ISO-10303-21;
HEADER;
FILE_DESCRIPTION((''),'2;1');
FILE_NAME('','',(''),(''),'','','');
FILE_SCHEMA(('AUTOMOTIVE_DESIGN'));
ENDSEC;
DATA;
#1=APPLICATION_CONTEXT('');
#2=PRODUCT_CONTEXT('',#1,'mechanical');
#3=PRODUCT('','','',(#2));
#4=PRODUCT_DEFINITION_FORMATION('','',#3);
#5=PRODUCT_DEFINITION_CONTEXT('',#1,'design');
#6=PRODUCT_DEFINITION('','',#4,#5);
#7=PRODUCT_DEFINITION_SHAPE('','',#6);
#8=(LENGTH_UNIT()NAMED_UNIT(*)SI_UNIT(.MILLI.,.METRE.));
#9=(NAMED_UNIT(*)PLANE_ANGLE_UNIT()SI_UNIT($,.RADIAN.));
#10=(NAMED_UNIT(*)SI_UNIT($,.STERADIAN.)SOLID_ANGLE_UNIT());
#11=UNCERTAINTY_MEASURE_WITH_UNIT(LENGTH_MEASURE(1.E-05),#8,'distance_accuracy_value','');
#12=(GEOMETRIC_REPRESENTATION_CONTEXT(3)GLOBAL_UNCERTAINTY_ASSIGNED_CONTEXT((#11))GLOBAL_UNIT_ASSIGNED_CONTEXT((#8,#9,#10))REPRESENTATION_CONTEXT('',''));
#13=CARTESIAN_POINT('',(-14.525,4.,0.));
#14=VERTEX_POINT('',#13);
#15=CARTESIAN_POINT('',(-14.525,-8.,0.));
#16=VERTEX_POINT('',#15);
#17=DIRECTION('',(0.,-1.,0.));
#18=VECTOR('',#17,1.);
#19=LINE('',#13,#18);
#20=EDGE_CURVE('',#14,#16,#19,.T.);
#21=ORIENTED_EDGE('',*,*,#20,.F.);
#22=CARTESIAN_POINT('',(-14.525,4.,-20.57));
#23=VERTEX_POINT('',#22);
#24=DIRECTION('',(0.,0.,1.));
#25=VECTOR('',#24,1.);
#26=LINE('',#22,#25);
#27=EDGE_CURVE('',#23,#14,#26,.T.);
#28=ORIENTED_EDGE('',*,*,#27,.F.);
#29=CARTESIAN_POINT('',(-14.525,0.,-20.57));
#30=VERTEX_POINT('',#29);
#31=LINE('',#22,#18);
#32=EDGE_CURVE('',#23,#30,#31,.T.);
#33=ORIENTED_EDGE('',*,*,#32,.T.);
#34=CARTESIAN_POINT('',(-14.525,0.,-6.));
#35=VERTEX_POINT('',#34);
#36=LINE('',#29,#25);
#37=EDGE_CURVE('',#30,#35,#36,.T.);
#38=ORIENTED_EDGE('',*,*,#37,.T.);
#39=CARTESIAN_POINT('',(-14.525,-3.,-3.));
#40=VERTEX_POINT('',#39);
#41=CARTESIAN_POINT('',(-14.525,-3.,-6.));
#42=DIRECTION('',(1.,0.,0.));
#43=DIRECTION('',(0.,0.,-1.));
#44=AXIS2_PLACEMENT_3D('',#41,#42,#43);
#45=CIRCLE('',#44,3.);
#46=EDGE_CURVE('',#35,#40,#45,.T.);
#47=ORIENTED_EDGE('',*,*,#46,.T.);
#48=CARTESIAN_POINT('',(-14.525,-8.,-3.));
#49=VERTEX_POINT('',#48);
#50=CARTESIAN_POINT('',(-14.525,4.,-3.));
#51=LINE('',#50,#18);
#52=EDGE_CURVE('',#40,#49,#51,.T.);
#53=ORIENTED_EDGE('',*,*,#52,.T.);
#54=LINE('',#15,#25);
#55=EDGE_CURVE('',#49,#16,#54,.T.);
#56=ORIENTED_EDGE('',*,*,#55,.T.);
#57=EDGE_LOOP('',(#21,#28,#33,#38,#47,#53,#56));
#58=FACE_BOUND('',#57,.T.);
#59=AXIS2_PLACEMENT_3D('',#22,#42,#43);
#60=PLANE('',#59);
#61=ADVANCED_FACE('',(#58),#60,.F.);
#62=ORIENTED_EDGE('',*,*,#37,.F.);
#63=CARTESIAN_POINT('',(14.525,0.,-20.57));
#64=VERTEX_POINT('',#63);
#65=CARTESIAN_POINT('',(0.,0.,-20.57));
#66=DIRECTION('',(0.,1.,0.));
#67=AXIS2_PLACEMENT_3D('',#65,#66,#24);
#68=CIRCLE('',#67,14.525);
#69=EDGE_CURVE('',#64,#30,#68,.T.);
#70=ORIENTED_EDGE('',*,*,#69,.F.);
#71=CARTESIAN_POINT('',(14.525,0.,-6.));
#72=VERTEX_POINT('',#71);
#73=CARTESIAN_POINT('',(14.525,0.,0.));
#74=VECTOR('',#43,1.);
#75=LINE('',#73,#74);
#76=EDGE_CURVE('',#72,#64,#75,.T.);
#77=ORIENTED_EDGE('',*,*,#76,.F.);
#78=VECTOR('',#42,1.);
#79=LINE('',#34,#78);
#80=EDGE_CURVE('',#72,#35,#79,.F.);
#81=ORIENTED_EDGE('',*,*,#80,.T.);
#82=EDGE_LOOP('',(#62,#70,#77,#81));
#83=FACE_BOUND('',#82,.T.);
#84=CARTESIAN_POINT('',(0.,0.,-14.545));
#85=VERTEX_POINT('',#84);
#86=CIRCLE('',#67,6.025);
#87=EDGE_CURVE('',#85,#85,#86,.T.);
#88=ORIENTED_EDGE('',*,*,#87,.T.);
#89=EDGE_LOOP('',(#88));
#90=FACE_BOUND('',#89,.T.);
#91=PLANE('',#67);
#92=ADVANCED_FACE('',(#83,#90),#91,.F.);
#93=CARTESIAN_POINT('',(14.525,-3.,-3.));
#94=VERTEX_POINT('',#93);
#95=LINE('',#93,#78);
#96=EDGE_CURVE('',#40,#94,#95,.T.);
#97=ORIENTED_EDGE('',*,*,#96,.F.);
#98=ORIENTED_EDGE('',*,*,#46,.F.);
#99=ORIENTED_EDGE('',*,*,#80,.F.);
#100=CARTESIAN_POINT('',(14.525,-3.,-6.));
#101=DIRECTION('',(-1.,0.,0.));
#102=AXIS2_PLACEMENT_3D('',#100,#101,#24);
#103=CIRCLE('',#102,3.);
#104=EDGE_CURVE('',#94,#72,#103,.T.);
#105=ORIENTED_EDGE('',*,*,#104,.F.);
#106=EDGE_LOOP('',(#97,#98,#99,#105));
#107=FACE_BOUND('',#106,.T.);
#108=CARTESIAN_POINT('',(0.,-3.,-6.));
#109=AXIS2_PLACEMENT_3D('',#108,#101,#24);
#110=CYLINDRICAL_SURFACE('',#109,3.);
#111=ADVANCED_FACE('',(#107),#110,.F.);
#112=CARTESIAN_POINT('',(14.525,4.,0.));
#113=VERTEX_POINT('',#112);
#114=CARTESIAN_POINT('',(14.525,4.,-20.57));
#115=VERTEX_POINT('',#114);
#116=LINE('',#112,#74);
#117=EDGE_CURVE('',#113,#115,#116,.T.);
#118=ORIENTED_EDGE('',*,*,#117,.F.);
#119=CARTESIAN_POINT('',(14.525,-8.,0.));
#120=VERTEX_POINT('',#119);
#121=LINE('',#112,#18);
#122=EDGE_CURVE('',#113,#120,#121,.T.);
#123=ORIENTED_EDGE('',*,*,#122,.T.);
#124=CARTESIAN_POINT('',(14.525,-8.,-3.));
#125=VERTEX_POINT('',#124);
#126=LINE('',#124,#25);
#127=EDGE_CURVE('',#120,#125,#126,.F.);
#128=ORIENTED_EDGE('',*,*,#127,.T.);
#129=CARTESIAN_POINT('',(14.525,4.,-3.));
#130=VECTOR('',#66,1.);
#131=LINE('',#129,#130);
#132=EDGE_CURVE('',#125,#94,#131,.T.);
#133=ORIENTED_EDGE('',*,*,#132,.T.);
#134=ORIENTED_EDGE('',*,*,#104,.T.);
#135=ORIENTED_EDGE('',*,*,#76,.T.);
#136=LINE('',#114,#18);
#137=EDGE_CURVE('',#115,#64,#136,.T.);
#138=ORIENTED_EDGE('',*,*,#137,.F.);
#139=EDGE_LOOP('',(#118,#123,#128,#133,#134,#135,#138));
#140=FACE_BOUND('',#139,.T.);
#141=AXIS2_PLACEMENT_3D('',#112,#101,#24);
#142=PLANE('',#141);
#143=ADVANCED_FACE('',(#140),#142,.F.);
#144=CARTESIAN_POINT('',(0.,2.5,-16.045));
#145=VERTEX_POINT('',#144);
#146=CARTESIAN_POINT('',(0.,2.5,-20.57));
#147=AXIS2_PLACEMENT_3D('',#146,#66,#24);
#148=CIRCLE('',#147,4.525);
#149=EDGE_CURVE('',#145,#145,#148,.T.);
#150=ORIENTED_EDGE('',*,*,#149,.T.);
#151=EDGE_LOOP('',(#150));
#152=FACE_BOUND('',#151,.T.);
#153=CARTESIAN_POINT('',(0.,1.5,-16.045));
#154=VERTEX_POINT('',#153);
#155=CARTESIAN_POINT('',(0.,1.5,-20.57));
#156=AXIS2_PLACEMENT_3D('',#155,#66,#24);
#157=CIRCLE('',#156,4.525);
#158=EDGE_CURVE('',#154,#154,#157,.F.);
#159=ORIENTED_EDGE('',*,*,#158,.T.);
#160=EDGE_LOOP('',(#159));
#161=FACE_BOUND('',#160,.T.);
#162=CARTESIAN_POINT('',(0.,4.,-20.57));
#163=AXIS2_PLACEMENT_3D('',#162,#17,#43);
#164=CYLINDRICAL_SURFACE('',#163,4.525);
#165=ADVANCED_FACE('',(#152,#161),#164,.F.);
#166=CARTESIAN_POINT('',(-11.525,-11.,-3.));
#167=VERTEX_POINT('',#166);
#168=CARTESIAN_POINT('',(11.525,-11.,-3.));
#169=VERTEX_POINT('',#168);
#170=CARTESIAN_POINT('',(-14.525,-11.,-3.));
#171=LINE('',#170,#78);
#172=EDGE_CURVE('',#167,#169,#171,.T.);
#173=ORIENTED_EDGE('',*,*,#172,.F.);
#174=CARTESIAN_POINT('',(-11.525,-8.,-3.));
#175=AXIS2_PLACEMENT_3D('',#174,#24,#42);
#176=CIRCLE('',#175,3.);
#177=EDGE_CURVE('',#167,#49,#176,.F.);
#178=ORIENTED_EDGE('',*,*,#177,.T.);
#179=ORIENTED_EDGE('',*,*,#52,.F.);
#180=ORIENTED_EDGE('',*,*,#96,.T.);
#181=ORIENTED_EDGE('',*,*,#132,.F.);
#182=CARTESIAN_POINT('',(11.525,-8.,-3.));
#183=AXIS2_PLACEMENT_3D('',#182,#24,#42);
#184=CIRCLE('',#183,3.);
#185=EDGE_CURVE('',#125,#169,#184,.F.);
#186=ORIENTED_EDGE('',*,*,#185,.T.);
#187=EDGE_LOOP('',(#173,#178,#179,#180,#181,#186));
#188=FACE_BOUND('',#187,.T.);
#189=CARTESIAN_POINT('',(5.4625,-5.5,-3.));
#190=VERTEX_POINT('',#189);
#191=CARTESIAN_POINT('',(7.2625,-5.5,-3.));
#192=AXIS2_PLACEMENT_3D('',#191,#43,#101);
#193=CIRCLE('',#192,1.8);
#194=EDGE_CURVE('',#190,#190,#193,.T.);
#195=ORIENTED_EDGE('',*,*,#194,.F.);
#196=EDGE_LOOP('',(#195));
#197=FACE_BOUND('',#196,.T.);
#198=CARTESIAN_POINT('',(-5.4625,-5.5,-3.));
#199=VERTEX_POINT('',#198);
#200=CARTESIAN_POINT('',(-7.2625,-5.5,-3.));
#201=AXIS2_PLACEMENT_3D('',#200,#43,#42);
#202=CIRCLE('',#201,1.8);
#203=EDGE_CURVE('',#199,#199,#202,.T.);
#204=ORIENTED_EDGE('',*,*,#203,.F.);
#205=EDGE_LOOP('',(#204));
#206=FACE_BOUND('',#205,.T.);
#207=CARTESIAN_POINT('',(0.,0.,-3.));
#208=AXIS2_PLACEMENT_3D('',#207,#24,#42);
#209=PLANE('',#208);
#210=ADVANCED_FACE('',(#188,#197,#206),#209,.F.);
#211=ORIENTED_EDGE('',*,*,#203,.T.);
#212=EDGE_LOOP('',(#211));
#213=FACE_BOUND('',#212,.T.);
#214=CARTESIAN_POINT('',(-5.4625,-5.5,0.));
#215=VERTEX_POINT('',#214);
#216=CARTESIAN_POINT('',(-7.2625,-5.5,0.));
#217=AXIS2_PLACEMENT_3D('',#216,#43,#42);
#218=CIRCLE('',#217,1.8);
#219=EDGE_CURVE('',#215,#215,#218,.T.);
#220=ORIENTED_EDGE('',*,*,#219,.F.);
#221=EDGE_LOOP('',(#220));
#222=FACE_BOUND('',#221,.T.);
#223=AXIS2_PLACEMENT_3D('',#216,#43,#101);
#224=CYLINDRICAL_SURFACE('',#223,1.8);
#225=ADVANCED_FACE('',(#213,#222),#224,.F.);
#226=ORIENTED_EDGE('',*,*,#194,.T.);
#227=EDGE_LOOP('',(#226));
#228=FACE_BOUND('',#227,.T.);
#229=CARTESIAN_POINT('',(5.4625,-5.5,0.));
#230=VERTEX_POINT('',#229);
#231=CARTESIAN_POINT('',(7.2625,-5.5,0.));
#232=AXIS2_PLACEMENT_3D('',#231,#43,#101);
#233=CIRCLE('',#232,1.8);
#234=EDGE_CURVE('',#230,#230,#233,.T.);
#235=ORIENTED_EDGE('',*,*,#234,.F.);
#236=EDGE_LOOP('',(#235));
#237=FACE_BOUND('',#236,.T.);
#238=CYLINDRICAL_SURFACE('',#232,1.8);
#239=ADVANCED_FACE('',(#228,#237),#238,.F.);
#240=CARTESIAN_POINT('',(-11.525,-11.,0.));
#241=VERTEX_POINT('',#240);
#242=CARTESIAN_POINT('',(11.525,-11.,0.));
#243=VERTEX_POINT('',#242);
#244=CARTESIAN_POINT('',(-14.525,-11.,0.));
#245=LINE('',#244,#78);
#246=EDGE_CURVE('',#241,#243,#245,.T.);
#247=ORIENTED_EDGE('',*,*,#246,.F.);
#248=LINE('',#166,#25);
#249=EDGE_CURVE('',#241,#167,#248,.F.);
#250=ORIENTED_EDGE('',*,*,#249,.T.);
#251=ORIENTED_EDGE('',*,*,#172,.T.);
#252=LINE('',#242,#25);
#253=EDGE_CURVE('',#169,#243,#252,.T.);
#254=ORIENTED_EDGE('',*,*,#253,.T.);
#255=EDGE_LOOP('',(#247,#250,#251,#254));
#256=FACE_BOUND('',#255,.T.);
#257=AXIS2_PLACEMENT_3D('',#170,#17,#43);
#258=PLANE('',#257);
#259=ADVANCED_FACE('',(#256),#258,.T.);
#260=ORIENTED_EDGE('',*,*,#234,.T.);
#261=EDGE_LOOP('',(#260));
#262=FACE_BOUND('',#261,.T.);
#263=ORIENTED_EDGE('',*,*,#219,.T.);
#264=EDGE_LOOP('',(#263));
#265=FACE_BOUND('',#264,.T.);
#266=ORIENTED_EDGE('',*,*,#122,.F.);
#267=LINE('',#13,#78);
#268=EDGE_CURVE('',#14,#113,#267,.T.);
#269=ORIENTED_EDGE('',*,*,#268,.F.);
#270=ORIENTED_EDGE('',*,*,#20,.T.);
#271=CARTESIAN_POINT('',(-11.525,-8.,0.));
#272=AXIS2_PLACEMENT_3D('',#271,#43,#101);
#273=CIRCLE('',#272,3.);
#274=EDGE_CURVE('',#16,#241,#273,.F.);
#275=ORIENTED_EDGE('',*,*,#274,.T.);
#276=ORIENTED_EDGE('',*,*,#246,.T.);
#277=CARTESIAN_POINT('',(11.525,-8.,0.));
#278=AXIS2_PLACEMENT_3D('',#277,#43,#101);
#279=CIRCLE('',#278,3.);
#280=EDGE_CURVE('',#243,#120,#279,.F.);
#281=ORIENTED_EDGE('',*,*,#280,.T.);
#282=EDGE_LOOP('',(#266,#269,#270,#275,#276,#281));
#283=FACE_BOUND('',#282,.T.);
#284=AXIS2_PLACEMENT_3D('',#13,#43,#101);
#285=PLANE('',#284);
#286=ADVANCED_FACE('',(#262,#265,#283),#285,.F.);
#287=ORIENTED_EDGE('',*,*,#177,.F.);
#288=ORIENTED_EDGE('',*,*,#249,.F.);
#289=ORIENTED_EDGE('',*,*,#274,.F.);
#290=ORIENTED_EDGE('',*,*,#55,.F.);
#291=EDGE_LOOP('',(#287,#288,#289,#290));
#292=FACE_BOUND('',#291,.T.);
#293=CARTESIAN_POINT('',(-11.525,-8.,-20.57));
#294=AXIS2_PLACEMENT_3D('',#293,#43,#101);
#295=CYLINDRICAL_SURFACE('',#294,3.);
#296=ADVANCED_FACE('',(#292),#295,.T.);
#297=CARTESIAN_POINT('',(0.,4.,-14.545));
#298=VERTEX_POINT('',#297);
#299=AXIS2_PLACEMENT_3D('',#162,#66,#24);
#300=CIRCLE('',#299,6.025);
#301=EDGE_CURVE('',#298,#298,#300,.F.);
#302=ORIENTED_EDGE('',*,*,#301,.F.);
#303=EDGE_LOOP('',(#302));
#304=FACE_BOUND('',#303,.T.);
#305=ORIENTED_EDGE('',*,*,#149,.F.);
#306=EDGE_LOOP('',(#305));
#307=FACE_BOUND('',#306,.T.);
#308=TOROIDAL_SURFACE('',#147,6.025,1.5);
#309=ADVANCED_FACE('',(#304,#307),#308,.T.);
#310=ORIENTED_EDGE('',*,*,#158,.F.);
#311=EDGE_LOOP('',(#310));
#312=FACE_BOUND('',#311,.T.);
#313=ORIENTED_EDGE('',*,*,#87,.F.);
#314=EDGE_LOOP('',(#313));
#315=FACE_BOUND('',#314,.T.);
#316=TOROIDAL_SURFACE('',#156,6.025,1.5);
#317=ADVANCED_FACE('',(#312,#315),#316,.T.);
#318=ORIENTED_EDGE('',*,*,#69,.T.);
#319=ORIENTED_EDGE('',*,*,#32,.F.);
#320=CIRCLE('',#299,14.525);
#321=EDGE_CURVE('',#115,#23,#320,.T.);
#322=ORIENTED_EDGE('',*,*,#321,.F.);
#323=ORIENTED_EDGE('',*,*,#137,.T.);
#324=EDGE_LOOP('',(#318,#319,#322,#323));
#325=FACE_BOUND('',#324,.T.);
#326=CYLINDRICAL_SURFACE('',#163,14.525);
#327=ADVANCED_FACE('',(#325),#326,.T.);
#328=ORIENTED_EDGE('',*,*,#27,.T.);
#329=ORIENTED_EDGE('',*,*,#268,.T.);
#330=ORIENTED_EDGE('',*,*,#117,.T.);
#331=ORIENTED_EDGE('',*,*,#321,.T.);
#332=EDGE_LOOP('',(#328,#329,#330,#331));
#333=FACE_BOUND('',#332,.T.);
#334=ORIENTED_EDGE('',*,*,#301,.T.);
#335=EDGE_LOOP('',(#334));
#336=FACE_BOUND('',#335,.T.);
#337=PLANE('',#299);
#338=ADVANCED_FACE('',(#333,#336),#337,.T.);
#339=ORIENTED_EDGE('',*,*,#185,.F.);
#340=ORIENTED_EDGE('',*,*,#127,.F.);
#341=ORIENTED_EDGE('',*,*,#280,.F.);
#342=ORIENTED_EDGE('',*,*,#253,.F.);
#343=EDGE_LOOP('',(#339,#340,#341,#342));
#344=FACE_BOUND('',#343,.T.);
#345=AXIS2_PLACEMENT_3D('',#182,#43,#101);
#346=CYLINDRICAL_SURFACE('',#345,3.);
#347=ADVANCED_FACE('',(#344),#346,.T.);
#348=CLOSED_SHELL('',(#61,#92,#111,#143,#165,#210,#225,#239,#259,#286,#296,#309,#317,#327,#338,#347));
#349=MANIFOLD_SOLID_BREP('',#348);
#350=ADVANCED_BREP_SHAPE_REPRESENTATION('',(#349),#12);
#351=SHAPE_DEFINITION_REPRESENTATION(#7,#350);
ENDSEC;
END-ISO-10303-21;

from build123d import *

# Parameters (mm, degrees)
SKETCH1_R           = 4.525
BOSS_EXTRUDE1_DEPTH = 4
SKETCH2_W           = 29.05
SKETCH2_H           = 15
BOSS_EXTRUDE2_DEPTH = 3
SKETCH3_R           = 1.8
CUT_EXTRUDE1_DEPTH  = 37.906160055
FILLET1_R           = 3
FILLET2_R           = 1.5


with BuildPart() as part:
    # Sketch1 → Boss-Extrude1 (new body)
    with BuildSketch(Plane(origin=(0, 0, 0), x_dir=(1, 0, 0), z_dir=(0, 1, 0))):
        with BuildLine():
            Line((-14.525, 20.57), (-14.525, 0))
            Line((-14.525, 0), (14.525, 0))
            Line((14.525, 0), (14.525, 20.57))
            ThreePointArc((14.525, 20.57), (0, 35.095), (-14.525, 20.57))
        make_face()
        with Locations(Location((0, 20.57, 0), (0, 0, 270))):
            Circle(SKETCH1_R, mode=Mode.SUBTRACT)
    extrude(amount=BOSS_EXTRUDE1_DEPTH)

    # Sketch2 → Boss-Extrude2 (add)
    with BuildSketch(Plane.XY):
        with Locations((0, -3.5)):
            Rectangle(SKETCH2_W, SKETCH2_H)
    extrude(amount=-BOSS_EXTRUDE2_DEPTH)

    # Sketch3 → Cut-Extrude1 (cut, through all)
    with BuildSketch(Plane(origin=(0, 0, -3), x_dir=(-1, 0, 0), z_dir=(0, 0, -1))):
        with Locations((-7.2625, -5.5)):
            Circle(SKETCH3_R)
        with Locations(Location((7.2625, -5.5, 0), (0, 0, 180))):
            Circle(SKETCH3_R)
    extrude(amount=-CUT_EXTRUDE1_DEPTH, mode=Mode.SUBTRACT)

    # Fillet1
    fillet1_edges = [part.edges().sort_by_distance(p)[0] for p in [
        (-14.525, -11, -1.5),
        (0, 0, -3),
        (14.525, -11, -1.5),
    ]]
    fillet(fillet1_edges, radius=FILLET1_R)

    # Fillet2
    fillet2_edges = [part.edges().sort_by_distance(p)[0] for p in [
        (0, 0, -25.095),
        (0, 4, -25.095),
    ]]
    fillet(fillet2_edges, radius=FILLET2_R)


solid = part.part
